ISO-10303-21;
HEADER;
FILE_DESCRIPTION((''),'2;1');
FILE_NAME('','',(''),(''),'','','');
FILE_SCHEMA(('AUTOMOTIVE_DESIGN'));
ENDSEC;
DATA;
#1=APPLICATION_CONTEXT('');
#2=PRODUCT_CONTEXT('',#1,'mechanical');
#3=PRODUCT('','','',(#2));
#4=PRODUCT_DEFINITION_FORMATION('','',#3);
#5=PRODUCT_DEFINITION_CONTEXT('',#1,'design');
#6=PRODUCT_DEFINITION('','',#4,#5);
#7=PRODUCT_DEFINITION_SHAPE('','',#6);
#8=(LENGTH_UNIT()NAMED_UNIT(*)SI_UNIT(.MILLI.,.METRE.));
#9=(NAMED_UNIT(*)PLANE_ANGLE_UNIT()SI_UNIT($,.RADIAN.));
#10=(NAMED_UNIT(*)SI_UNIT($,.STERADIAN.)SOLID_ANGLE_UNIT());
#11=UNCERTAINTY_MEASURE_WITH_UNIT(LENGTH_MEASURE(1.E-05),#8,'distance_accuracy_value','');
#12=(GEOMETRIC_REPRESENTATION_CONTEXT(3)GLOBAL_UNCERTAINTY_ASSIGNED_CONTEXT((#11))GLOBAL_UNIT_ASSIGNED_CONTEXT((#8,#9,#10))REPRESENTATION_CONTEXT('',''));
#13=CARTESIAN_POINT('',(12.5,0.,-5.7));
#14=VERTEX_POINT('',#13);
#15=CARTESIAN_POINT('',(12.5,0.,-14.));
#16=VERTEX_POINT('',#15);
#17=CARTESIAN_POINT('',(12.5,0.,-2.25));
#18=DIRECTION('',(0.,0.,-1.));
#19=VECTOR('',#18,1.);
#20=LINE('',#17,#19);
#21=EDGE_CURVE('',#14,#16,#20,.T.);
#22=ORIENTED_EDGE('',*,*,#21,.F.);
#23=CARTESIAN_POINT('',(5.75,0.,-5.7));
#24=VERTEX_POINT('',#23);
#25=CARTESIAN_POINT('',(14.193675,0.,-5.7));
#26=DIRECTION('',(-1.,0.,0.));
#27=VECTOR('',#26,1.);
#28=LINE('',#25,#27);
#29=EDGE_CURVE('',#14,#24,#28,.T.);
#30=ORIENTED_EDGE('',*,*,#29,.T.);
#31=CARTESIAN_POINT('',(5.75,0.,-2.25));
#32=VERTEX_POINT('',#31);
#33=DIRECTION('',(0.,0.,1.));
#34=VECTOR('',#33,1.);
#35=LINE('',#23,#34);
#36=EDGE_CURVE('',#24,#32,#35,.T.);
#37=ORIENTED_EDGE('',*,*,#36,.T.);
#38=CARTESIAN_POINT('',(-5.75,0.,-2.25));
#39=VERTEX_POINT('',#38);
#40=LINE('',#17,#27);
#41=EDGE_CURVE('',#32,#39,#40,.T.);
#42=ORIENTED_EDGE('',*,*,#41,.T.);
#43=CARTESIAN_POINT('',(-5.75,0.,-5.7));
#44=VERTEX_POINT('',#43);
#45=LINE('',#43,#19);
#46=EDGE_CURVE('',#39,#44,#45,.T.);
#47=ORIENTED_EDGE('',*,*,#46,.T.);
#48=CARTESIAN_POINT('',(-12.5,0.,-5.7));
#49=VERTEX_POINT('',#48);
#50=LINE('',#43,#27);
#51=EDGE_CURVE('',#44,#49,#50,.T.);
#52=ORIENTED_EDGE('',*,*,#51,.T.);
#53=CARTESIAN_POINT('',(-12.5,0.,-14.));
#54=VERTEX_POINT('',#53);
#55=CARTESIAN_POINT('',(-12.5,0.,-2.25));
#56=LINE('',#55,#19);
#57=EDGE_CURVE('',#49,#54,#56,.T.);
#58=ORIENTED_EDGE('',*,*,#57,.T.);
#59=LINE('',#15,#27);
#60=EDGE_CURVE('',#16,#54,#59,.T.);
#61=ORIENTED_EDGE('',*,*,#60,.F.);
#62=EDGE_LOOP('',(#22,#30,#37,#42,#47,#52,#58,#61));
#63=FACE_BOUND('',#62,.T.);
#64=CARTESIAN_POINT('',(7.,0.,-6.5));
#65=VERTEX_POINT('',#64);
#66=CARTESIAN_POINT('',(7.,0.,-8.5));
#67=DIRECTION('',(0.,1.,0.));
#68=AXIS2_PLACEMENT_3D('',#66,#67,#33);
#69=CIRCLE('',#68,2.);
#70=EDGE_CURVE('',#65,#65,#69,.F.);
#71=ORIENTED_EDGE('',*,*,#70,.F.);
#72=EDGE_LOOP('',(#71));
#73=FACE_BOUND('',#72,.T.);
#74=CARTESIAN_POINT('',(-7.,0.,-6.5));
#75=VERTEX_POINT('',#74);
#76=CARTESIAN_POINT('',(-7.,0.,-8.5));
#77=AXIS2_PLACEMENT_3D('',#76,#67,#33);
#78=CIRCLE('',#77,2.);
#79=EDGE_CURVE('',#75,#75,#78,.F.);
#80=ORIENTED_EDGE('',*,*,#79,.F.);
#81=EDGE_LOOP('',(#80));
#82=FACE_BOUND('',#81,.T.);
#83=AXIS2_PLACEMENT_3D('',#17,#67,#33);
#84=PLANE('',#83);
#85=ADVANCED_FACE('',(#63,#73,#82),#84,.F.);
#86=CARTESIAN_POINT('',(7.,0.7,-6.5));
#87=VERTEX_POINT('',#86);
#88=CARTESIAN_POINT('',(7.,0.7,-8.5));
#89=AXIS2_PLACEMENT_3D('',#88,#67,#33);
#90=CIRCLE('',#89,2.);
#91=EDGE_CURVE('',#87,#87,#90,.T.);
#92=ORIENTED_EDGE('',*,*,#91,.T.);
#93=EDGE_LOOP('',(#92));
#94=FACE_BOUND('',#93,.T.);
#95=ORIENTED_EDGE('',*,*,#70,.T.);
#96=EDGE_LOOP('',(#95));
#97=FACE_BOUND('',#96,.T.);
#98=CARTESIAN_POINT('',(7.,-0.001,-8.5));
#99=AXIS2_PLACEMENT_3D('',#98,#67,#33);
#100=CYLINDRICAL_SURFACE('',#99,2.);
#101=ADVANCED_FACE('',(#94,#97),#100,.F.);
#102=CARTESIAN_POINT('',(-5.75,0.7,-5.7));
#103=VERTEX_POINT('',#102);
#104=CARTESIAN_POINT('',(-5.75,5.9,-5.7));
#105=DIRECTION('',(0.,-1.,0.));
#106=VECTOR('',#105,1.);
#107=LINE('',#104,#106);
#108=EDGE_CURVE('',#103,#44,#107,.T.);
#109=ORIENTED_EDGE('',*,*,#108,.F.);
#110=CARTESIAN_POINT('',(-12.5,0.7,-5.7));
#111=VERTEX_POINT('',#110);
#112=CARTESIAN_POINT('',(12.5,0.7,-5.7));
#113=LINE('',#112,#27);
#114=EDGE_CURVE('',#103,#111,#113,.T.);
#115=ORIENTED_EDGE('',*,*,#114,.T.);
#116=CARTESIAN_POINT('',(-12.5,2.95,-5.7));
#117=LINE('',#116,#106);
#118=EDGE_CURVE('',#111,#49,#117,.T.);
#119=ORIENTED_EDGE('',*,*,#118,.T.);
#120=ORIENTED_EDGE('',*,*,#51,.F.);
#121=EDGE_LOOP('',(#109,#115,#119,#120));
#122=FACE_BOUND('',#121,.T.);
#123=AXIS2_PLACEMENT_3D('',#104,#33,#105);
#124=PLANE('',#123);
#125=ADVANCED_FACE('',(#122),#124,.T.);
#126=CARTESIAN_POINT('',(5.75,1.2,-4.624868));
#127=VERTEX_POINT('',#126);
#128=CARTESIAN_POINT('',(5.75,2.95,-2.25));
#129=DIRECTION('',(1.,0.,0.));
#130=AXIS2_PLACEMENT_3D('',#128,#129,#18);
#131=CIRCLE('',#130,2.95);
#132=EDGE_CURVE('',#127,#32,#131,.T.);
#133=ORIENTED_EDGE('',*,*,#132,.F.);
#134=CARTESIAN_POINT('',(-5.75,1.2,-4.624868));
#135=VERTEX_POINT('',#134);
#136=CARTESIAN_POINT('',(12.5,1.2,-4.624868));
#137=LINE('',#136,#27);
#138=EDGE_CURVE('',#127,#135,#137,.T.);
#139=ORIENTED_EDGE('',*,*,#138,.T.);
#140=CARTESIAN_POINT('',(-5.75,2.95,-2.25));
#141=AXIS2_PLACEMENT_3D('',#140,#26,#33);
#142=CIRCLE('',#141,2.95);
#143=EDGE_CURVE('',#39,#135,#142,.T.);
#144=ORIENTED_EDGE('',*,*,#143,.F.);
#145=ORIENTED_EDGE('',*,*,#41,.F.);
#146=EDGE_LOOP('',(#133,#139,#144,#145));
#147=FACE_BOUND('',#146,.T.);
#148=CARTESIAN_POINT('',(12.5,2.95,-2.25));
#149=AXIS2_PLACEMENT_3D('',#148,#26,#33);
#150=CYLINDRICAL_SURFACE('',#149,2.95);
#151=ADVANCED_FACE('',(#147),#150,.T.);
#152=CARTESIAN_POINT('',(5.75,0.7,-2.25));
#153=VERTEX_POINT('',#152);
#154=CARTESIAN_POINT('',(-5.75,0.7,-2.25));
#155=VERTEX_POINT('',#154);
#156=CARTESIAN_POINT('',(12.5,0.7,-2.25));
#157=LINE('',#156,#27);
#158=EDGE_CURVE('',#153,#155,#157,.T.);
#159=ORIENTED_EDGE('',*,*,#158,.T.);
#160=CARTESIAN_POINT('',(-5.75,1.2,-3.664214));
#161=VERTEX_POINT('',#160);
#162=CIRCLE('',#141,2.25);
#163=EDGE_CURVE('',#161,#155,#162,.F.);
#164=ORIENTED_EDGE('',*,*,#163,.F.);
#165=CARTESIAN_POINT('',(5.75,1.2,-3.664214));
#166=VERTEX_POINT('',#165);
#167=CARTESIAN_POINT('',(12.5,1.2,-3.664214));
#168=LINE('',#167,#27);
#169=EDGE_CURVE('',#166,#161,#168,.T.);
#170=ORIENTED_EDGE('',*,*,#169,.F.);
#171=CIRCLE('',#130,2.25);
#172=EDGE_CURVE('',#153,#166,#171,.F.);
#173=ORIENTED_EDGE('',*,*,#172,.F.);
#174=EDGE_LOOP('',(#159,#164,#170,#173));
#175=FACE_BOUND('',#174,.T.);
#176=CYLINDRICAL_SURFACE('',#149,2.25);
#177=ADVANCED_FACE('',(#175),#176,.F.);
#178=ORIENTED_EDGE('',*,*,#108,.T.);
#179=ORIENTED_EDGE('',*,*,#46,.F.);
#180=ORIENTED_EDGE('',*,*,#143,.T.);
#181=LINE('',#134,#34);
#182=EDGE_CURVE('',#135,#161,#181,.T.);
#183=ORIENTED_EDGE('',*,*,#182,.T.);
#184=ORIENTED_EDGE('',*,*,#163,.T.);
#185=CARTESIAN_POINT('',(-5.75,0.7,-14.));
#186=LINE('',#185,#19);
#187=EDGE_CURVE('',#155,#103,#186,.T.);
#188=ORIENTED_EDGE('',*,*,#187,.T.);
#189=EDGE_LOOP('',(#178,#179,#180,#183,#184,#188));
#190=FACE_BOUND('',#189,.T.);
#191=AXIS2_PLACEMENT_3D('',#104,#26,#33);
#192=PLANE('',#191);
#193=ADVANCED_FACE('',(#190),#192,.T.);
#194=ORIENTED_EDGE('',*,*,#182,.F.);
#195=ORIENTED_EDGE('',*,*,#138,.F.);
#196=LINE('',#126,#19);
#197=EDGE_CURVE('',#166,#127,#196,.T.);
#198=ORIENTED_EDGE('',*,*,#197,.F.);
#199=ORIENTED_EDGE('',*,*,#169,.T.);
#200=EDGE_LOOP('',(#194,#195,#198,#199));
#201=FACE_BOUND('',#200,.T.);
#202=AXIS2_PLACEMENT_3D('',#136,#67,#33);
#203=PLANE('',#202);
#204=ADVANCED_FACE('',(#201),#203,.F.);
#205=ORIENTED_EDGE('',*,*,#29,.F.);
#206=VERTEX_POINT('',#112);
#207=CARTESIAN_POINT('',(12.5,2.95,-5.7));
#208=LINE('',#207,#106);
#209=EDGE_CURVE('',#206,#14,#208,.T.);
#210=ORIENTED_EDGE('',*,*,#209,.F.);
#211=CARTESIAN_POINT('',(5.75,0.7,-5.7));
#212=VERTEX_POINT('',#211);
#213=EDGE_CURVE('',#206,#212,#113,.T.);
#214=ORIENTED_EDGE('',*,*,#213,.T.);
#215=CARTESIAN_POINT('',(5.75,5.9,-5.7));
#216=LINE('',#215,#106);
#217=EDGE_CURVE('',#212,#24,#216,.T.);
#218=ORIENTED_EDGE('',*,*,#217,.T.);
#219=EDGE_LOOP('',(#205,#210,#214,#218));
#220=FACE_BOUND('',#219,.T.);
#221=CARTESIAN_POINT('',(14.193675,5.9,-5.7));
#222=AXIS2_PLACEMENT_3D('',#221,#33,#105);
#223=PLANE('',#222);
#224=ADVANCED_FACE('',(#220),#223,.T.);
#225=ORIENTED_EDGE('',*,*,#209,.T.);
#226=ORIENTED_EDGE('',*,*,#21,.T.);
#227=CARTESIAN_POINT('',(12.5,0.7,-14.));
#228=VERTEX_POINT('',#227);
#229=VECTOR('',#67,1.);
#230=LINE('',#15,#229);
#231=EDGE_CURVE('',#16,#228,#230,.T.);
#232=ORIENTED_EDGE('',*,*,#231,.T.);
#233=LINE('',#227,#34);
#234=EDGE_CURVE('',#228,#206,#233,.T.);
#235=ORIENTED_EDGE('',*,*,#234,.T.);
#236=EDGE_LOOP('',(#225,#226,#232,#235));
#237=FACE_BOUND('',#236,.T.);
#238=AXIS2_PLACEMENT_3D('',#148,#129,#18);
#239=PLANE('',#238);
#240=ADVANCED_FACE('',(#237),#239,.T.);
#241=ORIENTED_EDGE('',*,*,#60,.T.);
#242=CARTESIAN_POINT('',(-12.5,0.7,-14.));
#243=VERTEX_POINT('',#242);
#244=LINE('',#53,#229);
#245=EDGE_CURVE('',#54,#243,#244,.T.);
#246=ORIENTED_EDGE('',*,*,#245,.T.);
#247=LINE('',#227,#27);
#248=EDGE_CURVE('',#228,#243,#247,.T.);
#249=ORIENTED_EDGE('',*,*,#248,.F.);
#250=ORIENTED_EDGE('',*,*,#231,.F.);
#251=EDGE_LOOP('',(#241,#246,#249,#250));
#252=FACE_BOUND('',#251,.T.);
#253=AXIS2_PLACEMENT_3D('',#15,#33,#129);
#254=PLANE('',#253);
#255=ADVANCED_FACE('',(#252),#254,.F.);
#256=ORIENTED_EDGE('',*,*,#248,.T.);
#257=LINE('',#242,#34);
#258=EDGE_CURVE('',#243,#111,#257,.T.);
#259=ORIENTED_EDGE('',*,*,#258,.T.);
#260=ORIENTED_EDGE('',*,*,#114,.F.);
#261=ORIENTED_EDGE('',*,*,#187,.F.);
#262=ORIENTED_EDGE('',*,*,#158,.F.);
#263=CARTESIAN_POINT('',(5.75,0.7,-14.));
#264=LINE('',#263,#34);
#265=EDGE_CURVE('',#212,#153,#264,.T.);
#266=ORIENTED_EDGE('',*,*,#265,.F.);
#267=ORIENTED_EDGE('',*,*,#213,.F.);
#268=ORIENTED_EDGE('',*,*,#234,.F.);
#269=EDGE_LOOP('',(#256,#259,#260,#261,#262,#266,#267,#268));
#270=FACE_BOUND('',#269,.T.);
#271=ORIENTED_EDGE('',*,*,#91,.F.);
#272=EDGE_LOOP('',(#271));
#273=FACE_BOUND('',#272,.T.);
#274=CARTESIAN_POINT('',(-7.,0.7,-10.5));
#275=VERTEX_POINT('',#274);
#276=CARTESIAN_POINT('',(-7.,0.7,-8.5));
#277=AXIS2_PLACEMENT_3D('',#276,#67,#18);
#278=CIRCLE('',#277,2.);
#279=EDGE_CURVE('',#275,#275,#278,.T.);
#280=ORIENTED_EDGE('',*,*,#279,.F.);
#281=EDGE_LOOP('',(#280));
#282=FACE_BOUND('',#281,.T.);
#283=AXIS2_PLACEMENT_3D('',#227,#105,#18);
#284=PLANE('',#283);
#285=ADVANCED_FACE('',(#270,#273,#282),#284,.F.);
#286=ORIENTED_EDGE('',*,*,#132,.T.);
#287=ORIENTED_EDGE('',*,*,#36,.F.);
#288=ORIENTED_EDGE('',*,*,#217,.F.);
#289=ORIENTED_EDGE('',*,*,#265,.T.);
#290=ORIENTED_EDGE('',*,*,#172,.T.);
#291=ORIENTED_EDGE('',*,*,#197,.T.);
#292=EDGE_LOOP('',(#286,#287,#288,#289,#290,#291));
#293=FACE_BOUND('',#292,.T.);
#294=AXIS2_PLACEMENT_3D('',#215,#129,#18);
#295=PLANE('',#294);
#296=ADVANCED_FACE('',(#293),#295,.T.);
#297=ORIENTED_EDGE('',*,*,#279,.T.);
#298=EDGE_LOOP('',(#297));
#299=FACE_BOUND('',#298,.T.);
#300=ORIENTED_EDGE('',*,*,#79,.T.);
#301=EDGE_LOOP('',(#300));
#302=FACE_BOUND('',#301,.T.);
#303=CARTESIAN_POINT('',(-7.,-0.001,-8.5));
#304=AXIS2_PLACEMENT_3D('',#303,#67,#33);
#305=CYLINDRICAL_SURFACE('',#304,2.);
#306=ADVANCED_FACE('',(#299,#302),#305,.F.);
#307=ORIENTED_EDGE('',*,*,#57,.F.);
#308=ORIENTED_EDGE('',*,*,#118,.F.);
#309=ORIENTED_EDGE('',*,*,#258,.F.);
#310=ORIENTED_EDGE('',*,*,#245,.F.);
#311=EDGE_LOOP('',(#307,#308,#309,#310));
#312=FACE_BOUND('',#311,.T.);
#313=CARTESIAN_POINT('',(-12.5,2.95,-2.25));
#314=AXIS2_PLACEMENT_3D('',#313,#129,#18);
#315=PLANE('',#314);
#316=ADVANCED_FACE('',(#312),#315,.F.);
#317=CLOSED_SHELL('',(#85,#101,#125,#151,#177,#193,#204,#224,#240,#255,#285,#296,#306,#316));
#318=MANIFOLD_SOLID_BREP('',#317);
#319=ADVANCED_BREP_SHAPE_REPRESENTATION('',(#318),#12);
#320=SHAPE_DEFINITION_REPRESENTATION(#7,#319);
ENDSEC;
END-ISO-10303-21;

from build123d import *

# Parameters (mm, degrees)
SALIENTE_EXTRUIR1_DEPTH    = 12.5
CORTAR_EXTRUIR1_REACH      = 21.475
CROQUIS5_R                 = 2
CORTAR_EXTRUIR2_DEPTH      = 20.475369059
CORTAR_EXTRUIR2_DEPTH_BACK = 20.475369059


with BuildPart() as part:
    # Croquis4 → Saliente-Extruir1 (new, symmetric)
    with BuildSketch(Plane(origin=(0, 0, 0), x_dir=(0, 0, -1), z_dir=(1, 0, 0))):
        with BuildLine():
            Line((14, 0), (14, 0.7))
            Line((14, 0.7), (2.25, 0.7))
            ThreePointArc((2.25, 0.7), (1.5, 5.071320344), (3.664213562, 1.2))
            Line((3.664213562, 1.2), (4.624868417, 1.2))
            ThreePointArc((4.624868417, 1.2), (0.91958653, 5.582964109), (2.25, 0))
            Line((2.25, 0), (14, 0))
        make_face()
    extrude(amount=SALIENTE_EXTRUIR1_DEPTH, both=True)

    # Croquis5 → Cortar-Extruir1 (cut, up to next)
    with BuildSketch(Plane(origin=(0, 0.7, 0), x_dir=(1, 0, 0), z_dir=(0, 1, 0)), mode=Mode.PRIVATE) as cortar_extruir1_sk1:
        with Locations(Location((7, 8.5, 0), (0, 0, 270))):
            Circle(CROQUIS5_R)
    cortar_extruir1_tool1 = extrude(cortar_extruir1_sk1.sketch, amount=-CORTAR_EXTRUIR1_REACH, mode=Mode.PRIVATE) & part.part
    # Croquis5 → Cortar-Extruir1 (cut, up to next)
    with BuildSketch(Plane(origin=(0, 0.7, 0), x_dir=(1, 0, 0), z_dir=(0, 1, 0)), mode=Mode.PRIVATE) as cortar_extruir1_sk2:
        with Locations(Location((-7, 8.5, 0), (0, 0, 270))):
            Circle(CROQUIS5_R)
    cortar_extruir1_tool2 = extrude(cortar_extruir1_sk2.sketch, amount=-CORTAR_EXTRUIR1_REACH, mode=Mode.PRIVATE) & part.part
    add(cortar_extruir1_tool1.solids().sort_by_distance((7, 0.7, -8.5))[0], mode=Mode.SUBTRACT)
    add(cortar_extruir1_tool2.solids().sort_by_distance((-7, 0.7, -8.5))[0], mode=Mode.SUBTRACT)

    # Croquis6 → Cortar-Extruir2 (cut, two sides: drawn at the far end of the back side and taken through both)
    with BuildSketch(Plane(origin=(0, 0.7, 0), x_dir=(1, 0, 0), z_dir=(0, 1, 0)).offset(-CORTAR_EXTRUIR2_DEPTH_BACK)):
        Polygon((-5.75, 5.7), (-13.048594363, 5.7), (-13.048594363, -1.964735147), (14.193675093, -1.964735147), (14.193675093, 5.7), (5.75, 5.7), (5.75, -0.7), (-5.75, -0.7), align=None)
    extrude(amount=CORTAR_EXTRUIR2_DEPTH + CORTAR_EXTRUIR2_DEPTH_BACK, mode=Mode.SUBTRACT)


solid = part.part
